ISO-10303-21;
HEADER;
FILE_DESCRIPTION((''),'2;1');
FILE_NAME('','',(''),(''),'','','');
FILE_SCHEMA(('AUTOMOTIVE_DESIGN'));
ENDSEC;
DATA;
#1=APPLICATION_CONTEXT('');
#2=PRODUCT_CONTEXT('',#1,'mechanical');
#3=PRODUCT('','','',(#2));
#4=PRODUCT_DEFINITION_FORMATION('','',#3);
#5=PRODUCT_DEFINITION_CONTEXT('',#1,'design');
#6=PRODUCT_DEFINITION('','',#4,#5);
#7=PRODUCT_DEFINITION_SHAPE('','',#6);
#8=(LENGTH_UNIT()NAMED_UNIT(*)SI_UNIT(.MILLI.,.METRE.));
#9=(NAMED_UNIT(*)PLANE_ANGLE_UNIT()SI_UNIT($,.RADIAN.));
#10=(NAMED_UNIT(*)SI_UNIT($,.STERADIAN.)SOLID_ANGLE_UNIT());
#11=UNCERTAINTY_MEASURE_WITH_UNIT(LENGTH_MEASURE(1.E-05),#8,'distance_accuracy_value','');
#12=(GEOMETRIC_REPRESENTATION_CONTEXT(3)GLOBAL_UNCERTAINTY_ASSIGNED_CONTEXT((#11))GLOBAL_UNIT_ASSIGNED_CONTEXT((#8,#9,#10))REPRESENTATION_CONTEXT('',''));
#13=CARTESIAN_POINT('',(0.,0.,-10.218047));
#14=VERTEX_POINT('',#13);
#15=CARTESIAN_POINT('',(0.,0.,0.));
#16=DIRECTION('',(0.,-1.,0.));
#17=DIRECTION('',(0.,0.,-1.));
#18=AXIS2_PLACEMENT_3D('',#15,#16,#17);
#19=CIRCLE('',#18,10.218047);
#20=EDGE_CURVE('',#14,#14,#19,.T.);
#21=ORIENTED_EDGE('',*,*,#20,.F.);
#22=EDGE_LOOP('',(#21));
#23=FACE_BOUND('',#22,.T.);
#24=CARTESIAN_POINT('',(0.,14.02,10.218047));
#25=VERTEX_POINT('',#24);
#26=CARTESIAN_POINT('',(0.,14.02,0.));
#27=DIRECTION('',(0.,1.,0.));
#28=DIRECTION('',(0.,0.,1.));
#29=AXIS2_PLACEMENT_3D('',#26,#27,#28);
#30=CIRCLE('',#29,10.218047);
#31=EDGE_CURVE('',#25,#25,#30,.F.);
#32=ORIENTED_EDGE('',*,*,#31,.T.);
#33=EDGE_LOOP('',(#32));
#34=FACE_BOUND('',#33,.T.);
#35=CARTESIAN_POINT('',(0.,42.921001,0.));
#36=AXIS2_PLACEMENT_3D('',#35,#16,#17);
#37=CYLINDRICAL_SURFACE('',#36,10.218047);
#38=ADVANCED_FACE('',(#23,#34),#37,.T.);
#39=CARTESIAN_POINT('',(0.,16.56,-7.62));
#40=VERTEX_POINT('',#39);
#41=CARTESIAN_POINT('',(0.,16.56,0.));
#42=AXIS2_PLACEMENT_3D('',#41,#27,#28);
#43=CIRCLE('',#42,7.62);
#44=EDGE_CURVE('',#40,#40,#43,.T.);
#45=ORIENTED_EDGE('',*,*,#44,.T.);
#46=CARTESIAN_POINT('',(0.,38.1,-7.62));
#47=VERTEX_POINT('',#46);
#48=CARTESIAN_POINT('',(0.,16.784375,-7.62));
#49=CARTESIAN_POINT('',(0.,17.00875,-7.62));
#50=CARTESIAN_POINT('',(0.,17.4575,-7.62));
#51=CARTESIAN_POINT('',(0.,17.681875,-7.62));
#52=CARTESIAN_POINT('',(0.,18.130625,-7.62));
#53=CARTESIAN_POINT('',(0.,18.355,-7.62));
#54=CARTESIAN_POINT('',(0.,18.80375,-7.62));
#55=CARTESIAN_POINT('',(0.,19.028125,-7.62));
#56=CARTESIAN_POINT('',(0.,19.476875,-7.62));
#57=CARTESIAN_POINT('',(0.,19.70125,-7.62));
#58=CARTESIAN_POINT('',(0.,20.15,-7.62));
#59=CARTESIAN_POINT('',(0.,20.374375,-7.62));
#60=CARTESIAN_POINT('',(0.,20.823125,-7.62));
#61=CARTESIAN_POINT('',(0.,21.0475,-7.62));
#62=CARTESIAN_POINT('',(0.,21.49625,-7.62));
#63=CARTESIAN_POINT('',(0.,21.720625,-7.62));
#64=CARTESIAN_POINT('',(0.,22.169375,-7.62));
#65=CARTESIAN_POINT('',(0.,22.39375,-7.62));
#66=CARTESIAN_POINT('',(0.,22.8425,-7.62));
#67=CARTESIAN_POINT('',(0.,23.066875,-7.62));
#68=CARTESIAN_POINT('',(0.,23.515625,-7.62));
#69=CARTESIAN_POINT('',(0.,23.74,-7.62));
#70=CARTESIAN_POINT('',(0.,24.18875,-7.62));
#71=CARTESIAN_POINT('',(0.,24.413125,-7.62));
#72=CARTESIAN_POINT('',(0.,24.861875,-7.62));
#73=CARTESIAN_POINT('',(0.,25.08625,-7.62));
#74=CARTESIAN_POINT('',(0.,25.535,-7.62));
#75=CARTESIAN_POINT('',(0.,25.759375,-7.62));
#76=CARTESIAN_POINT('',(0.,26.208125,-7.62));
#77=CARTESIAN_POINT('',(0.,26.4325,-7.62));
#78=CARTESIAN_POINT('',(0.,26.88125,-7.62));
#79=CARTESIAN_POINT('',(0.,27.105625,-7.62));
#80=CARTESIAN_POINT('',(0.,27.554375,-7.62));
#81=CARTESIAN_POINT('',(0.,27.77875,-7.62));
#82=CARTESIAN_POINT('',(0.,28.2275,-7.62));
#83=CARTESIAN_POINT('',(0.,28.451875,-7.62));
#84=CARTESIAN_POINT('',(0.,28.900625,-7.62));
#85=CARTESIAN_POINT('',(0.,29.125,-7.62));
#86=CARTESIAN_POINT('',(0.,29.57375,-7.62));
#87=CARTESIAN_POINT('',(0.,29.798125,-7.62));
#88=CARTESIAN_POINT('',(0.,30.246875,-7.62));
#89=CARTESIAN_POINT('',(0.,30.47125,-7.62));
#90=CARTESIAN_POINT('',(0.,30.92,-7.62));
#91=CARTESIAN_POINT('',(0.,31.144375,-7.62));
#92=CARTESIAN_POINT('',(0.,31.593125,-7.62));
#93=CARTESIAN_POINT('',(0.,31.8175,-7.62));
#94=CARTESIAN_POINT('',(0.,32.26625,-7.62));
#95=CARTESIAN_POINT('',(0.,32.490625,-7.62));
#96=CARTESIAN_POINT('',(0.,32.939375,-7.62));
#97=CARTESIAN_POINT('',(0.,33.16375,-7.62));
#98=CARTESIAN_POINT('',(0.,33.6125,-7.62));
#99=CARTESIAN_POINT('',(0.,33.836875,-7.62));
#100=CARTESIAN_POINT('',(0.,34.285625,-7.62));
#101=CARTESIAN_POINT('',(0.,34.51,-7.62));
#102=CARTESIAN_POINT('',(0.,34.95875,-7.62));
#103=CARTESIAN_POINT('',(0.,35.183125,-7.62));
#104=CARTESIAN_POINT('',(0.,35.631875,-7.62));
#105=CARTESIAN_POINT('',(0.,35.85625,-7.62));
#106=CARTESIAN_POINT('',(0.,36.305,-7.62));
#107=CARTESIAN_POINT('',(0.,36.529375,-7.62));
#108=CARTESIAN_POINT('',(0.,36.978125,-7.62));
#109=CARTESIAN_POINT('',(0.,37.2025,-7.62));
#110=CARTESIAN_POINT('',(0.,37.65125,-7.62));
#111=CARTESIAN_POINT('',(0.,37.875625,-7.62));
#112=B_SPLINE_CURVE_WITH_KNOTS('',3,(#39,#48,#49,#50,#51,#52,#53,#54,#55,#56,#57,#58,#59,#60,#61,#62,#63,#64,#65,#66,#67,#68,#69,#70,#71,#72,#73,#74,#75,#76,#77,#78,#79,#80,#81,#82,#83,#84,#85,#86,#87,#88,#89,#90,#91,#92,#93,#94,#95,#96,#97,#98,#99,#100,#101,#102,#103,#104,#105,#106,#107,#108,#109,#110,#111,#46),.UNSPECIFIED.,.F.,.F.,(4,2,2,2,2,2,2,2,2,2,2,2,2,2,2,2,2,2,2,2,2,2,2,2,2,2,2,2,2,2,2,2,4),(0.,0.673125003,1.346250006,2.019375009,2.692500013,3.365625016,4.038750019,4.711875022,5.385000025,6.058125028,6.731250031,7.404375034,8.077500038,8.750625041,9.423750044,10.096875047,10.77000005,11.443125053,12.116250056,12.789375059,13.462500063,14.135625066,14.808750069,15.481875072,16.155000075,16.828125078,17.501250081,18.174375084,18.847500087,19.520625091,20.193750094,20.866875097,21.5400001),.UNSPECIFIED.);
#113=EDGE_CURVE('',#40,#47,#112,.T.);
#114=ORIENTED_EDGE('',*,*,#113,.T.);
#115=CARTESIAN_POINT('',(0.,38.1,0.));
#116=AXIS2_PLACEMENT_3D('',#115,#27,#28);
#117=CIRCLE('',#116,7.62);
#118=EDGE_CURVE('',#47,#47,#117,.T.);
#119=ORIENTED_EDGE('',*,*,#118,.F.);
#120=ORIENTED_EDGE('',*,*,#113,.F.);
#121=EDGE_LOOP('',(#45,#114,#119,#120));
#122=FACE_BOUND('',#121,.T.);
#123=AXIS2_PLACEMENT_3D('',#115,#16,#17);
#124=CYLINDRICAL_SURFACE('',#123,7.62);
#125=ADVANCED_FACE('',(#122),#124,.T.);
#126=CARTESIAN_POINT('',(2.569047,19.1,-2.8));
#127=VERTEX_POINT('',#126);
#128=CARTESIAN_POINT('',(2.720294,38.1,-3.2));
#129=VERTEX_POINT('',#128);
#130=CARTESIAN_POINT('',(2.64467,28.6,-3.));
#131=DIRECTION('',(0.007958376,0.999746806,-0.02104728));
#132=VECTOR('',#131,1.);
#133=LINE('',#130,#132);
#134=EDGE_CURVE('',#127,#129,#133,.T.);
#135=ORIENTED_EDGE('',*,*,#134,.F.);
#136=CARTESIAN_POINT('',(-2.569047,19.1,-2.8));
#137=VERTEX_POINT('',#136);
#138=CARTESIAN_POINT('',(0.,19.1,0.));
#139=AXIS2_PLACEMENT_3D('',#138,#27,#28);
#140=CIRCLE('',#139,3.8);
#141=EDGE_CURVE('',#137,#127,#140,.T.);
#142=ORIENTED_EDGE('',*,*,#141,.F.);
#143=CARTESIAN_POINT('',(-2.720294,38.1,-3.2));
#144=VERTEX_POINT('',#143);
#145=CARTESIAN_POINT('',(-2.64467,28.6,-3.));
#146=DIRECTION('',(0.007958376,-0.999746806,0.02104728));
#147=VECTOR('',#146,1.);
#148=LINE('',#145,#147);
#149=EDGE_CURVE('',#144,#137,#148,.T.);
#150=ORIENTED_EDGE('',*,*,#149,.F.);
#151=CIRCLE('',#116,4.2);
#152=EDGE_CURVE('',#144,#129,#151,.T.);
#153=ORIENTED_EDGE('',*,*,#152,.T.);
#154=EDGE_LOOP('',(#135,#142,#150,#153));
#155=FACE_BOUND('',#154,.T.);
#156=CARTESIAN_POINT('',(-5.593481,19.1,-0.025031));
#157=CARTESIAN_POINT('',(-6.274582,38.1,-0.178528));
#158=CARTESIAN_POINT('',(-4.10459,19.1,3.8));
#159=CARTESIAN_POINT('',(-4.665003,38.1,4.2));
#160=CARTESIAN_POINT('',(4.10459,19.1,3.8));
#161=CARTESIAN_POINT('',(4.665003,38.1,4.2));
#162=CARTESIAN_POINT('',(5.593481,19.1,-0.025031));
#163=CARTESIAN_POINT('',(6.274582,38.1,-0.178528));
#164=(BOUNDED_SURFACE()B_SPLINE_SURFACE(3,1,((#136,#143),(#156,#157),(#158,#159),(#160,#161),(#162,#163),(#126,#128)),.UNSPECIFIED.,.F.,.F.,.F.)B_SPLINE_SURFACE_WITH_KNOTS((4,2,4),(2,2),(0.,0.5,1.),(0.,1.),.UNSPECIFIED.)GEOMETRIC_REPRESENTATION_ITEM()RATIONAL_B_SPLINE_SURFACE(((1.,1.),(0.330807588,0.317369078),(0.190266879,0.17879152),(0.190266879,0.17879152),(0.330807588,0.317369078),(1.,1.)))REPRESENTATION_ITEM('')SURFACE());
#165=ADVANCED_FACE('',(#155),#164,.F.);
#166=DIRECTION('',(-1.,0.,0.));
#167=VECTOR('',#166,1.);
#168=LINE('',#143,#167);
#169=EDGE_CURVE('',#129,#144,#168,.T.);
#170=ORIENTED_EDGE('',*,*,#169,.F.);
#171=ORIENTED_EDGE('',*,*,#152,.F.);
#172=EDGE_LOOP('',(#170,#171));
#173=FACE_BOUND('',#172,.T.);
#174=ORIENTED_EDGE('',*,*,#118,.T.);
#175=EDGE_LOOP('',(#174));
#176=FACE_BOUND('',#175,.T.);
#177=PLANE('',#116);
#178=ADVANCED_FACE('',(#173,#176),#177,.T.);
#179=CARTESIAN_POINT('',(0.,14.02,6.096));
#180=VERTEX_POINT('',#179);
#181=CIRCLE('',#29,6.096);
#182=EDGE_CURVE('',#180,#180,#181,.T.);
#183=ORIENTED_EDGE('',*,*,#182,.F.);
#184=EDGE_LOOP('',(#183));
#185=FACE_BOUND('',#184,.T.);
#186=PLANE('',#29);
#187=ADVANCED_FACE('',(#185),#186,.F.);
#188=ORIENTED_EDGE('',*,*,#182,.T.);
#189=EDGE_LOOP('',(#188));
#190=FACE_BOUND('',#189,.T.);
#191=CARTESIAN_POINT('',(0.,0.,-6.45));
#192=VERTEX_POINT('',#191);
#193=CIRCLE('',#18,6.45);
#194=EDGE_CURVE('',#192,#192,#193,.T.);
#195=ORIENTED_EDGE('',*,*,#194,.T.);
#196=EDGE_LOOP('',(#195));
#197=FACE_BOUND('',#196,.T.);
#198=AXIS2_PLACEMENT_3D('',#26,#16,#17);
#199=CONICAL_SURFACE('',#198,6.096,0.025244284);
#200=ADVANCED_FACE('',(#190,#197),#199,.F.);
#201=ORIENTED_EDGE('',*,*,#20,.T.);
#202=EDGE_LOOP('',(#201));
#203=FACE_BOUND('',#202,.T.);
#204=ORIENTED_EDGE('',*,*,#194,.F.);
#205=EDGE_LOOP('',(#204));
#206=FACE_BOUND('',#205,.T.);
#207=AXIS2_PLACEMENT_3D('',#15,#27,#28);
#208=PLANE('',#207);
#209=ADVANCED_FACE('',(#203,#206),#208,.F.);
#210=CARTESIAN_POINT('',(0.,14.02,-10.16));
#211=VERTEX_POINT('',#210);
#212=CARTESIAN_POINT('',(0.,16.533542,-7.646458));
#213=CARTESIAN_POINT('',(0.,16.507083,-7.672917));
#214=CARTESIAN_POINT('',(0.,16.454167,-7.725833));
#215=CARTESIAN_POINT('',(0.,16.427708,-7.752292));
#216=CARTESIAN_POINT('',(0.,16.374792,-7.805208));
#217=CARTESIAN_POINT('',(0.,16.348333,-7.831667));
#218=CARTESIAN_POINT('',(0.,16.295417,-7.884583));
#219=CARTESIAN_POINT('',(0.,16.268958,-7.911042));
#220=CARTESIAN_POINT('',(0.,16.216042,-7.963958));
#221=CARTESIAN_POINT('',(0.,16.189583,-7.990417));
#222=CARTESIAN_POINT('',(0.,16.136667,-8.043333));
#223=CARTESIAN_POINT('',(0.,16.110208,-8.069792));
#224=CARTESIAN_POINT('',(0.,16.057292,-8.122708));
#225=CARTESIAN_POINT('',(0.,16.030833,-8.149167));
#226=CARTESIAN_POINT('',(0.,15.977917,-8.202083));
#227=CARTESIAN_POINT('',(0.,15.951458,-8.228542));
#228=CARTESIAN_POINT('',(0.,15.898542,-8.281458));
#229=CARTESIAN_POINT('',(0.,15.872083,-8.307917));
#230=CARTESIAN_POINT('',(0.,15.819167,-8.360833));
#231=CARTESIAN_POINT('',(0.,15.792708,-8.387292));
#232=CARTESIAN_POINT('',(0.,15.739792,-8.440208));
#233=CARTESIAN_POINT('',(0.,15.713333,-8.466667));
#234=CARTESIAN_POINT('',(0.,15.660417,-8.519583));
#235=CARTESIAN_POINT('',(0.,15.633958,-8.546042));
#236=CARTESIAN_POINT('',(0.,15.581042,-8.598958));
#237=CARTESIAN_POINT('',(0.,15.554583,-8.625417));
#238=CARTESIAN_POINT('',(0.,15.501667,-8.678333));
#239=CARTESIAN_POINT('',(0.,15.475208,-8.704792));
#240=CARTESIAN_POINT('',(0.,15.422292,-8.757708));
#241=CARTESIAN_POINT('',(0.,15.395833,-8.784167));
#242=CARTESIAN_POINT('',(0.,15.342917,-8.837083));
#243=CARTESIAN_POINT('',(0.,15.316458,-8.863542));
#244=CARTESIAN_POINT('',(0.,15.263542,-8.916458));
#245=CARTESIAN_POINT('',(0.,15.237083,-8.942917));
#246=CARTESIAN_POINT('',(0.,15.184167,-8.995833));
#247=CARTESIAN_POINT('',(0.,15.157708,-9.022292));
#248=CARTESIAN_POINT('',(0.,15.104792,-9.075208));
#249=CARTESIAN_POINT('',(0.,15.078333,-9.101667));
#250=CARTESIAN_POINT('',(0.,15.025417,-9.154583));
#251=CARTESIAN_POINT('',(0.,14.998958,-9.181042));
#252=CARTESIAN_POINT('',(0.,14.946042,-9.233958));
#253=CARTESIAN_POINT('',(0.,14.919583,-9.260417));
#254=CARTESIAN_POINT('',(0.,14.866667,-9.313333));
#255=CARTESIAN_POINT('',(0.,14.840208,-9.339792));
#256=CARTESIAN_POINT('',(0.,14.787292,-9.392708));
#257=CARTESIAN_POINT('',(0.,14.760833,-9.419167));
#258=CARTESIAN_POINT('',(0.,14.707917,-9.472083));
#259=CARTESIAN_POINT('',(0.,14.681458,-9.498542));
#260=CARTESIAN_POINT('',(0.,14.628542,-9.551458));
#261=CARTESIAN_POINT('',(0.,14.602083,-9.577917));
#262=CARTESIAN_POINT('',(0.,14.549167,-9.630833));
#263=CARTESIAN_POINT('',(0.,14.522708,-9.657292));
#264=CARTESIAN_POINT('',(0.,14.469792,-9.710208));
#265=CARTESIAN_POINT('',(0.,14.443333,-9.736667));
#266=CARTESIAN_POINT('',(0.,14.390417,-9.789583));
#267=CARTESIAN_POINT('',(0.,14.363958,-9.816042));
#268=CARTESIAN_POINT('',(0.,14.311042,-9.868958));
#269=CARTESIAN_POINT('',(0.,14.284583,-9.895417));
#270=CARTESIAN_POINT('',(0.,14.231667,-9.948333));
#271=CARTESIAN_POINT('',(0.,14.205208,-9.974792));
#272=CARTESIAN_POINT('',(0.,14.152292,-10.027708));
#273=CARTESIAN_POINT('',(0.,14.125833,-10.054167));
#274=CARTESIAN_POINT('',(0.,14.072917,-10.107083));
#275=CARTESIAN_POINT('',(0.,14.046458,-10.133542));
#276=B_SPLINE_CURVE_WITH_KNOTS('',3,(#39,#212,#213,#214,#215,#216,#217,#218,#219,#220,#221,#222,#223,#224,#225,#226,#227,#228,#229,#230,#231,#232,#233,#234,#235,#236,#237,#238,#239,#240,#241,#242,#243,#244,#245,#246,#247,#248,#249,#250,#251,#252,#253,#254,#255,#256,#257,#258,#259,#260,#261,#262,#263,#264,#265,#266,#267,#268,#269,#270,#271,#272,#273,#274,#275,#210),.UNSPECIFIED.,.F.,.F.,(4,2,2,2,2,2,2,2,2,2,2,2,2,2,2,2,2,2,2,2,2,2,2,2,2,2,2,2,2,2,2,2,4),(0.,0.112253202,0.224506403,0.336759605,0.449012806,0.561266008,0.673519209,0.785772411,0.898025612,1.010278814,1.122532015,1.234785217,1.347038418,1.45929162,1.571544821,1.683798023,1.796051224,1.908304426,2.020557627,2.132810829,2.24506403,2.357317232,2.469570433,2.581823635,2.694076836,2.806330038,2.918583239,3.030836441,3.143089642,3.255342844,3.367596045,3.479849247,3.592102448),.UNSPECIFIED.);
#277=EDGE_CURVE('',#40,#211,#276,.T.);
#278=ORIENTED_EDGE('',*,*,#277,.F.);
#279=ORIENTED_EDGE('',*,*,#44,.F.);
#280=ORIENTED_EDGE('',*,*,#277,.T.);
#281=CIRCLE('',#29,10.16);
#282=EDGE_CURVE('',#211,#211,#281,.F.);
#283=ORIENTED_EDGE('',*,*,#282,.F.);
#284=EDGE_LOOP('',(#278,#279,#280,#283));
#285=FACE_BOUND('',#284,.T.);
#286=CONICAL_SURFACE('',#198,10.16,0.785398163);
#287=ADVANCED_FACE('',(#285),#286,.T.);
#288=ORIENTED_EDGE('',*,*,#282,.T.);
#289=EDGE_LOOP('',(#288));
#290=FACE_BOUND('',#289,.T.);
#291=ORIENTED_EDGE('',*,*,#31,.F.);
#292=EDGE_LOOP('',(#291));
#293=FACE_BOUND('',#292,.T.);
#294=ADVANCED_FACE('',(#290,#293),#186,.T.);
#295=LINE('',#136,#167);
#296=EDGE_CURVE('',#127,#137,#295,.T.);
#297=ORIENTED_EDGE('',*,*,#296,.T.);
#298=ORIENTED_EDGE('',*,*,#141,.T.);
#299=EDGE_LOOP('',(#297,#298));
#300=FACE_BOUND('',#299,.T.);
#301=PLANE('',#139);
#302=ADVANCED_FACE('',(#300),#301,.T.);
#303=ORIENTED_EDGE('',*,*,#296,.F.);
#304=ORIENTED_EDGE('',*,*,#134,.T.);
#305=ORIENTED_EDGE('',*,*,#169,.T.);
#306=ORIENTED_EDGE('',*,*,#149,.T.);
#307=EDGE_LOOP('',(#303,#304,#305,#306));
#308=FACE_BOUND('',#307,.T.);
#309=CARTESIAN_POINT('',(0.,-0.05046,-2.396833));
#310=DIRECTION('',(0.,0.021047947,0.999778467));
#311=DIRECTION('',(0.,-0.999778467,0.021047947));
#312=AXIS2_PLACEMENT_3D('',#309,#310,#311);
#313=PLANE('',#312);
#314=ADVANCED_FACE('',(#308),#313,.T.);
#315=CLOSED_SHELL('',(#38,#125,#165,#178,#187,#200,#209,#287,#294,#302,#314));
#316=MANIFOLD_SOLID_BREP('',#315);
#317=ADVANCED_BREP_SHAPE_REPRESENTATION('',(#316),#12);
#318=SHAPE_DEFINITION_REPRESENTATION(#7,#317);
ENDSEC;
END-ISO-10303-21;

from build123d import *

# Parameters (mm, degrees)
SKETCH1_R           = 7.62
BOSS_EXTRUDE1_DEPTH = 38.1
SKETCH5_R           = 6.096
SKETCH3_R           = 6.450000054
SKETCH6_R           = 10.218046867
SKETCH6_R_2         = 7.62
BOSS_EXTRUDE2_DEPTH = 14.0199999
CHAMFER1_SIZE       = 2.54


with BuildPart() as part:
    # Sketch1 → Boss-Extrude1 (new body)
    with BuildSketch(Plane(origin=(0, 0, 0), x_dir=(1, 0, 0), z_dir=(0, 1, 0))):
        with Locations(Location((0, 0, 0), (0, 0, 90))):
            Circle(SKETCH1_R)
    extrude(amount=BOSS_EXTRUDE1_DEPTH)

    # Sketch4 → Motor Shaft Couple section 0
    with BuildSketch(Plane(origin=(0, 19.0999999, 0), x_dir=(1, 0, 0), z_dir=(0, 1, 0))):
        with BuildLine():
            Line((-2.569046516, 2.8), (2.569046516, 2.8))
            ThreePointArc((2.569046516, 2.8), (0, -3.8), (-2.569046516, 2.8))
        make_face()
    # Sketch2 → Motor Shaft Couple section 1
    with BuildSketch(Plane(origin=(0, 38.1, 0), x_dir=(1, 0, 0), z_dir=(0, 1, 0))):
        with BuildLine():
            Line((-2.720293955, 3.1999996), (2.720293955, 3.1999996))
            ThreePointArc((2.720293955, 3.1999996), (0, -4.1999996), (-2.720293955, 3.1999996))
        make_face()
    loft(mode=Mode.SUBTRACT)

    # Sketch5 → Dowel Couple section 0
    with BuildSketch(Plane(origin=(0, 14.0199999, 0), x_dir=(1, 0, 0), z_dir=(0, 1, 0))):
        Circle(SKETCH5_R)
    # Sketch3 → Dowel Couple section 1
    with BuildSketch(Plane.XZ):
        Circle(SKETCH3_R)
    loft(mode=Mode.SUBTRACT)

    # Sketch6 → Boss-Extrude2 (add)
    with BuildSketch(Plane.XZ):
        with Locations(Location((0, 0, 0), (0, 0, 270))):
            Circle(SKETCH6_R)
        with Locations(Location((0, 0, 0), (0, 0, 270))):
            Circle(SKETCH6_R_2, mode=Mode.SUBTRACT)
    extrude(amount=-BOSS_EXTRUDE2_DEPTH)

    # Chamfer1
    chamfer1_edges = [part.edges().sort_by_distance(p)[0] for p in [
        (0, 14.0199999, 7.62),
    ]]
    chamfer(chamfer1_edges, length=CHAMFER1_SIZE)


solid = part.part
